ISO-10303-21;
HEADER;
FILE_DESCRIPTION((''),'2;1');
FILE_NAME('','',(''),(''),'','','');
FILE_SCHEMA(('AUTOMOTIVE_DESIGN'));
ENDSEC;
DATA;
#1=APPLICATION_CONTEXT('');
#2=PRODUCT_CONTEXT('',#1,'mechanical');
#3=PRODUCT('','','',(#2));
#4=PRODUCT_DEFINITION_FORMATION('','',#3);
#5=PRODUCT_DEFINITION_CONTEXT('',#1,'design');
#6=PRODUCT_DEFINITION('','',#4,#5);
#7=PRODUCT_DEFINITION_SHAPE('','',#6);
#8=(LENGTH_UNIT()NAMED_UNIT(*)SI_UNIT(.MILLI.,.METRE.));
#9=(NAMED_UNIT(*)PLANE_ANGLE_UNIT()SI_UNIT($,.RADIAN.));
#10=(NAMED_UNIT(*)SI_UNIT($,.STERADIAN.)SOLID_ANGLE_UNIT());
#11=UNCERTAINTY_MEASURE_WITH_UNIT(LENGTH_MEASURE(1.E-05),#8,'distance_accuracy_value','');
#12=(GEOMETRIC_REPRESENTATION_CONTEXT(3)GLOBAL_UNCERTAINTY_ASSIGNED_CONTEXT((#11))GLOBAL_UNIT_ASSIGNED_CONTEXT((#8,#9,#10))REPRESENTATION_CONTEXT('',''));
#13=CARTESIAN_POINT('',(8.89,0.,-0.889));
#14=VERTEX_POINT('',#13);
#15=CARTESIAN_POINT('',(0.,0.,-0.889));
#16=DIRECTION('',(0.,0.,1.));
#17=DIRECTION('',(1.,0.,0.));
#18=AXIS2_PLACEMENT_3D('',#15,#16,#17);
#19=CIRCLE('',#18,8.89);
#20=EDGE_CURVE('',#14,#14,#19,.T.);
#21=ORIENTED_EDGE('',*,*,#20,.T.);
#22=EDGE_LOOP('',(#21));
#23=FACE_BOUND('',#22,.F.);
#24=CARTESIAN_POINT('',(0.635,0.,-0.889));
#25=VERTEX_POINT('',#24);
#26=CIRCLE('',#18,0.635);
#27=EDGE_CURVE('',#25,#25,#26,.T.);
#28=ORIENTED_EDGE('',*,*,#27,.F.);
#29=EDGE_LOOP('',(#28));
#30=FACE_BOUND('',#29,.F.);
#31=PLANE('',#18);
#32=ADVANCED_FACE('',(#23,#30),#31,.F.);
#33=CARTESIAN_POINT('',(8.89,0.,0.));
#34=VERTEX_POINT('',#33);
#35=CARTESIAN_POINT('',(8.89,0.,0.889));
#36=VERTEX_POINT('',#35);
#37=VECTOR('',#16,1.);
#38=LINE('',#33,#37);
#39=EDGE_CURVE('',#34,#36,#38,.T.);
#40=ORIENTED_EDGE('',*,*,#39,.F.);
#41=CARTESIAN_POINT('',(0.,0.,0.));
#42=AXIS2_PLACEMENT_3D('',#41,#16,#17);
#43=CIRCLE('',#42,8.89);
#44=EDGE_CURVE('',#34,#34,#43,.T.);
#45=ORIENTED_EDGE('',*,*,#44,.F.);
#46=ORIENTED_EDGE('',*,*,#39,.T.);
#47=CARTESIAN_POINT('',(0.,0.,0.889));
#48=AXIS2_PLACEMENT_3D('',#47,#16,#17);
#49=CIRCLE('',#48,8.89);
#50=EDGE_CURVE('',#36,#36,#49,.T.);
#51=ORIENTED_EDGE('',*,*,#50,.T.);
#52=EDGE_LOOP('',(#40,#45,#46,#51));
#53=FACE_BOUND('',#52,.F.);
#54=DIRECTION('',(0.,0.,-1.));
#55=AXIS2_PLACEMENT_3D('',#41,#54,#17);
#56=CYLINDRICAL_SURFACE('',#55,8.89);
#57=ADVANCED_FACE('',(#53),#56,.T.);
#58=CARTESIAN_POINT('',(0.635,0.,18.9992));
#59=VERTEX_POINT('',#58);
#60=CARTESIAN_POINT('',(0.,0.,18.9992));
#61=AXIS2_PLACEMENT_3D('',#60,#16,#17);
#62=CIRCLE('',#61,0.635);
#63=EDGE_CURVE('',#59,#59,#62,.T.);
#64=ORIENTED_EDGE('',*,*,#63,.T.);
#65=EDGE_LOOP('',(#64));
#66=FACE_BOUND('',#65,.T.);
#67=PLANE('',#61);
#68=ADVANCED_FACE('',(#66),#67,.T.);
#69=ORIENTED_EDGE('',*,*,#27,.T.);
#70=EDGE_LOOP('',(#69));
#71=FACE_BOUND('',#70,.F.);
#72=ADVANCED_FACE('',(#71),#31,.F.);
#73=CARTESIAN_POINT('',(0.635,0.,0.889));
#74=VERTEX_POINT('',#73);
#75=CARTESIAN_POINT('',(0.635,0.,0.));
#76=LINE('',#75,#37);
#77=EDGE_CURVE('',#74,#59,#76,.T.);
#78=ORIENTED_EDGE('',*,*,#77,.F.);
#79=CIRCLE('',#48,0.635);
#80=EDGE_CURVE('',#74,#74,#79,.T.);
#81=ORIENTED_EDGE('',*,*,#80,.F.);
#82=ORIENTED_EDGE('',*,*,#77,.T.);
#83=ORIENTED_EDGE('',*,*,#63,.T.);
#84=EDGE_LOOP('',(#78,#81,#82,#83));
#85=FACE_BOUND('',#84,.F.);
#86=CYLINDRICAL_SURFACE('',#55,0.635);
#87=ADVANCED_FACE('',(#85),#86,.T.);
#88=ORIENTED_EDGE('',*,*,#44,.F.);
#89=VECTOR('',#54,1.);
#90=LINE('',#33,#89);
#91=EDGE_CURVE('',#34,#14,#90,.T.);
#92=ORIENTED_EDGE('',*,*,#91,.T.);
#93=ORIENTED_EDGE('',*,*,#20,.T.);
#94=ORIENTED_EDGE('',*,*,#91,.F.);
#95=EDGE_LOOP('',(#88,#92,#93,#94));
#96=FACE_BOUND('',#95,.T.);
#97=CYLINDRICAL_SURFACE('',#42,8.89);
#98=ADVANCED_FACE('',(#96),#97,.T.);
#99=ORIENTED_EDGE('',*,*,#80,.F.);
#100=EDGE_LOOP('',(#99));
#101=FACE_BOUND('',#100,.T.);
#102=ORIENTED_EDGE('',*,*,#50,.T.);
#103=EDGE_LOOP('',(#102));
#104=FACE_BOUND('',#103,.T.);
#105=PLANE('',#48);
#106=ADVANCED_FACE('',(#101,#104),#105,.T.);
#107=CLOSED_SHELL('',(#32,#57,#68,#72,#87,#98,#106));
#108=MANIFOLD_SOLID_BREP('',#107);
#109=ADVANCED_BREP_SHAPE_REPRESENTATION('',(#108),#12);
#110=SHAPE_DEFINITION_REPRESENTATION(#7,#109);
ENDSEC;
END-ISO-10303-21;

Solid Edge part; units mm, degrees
sketch "Sketch1" plane through (0, 0, 0) normal (0, 0, 1) x (1, 0, 0)
  circle A0 centre (0, 0) radius 8.89
  circle A1 centre (0, 0) radius 0.635
  dimension "D1" = 17.78
extrude "Protrusion1" add sketch "Sketch1" along normal mid plane 1.778
sketch "Sketch2" plane through (0, 0, 0) normal (0, 0, 1) x (1, 0, 0)
  circle A0 centre (0, 0) radius 0.635
extrude "Protrusion2" add sketch "Sketch2" along normal blind 18.9992
sketch "Sketch3" plane through (0, 0, 0) normal (0, 0, 1) x (1, 0, 0)
  circle A0 centre (0, 0) radius 0.635
extrude "Protrusion3" add sketch "Sketch3" along normal up to surface (0.889 mm away) from surface at -0.889
